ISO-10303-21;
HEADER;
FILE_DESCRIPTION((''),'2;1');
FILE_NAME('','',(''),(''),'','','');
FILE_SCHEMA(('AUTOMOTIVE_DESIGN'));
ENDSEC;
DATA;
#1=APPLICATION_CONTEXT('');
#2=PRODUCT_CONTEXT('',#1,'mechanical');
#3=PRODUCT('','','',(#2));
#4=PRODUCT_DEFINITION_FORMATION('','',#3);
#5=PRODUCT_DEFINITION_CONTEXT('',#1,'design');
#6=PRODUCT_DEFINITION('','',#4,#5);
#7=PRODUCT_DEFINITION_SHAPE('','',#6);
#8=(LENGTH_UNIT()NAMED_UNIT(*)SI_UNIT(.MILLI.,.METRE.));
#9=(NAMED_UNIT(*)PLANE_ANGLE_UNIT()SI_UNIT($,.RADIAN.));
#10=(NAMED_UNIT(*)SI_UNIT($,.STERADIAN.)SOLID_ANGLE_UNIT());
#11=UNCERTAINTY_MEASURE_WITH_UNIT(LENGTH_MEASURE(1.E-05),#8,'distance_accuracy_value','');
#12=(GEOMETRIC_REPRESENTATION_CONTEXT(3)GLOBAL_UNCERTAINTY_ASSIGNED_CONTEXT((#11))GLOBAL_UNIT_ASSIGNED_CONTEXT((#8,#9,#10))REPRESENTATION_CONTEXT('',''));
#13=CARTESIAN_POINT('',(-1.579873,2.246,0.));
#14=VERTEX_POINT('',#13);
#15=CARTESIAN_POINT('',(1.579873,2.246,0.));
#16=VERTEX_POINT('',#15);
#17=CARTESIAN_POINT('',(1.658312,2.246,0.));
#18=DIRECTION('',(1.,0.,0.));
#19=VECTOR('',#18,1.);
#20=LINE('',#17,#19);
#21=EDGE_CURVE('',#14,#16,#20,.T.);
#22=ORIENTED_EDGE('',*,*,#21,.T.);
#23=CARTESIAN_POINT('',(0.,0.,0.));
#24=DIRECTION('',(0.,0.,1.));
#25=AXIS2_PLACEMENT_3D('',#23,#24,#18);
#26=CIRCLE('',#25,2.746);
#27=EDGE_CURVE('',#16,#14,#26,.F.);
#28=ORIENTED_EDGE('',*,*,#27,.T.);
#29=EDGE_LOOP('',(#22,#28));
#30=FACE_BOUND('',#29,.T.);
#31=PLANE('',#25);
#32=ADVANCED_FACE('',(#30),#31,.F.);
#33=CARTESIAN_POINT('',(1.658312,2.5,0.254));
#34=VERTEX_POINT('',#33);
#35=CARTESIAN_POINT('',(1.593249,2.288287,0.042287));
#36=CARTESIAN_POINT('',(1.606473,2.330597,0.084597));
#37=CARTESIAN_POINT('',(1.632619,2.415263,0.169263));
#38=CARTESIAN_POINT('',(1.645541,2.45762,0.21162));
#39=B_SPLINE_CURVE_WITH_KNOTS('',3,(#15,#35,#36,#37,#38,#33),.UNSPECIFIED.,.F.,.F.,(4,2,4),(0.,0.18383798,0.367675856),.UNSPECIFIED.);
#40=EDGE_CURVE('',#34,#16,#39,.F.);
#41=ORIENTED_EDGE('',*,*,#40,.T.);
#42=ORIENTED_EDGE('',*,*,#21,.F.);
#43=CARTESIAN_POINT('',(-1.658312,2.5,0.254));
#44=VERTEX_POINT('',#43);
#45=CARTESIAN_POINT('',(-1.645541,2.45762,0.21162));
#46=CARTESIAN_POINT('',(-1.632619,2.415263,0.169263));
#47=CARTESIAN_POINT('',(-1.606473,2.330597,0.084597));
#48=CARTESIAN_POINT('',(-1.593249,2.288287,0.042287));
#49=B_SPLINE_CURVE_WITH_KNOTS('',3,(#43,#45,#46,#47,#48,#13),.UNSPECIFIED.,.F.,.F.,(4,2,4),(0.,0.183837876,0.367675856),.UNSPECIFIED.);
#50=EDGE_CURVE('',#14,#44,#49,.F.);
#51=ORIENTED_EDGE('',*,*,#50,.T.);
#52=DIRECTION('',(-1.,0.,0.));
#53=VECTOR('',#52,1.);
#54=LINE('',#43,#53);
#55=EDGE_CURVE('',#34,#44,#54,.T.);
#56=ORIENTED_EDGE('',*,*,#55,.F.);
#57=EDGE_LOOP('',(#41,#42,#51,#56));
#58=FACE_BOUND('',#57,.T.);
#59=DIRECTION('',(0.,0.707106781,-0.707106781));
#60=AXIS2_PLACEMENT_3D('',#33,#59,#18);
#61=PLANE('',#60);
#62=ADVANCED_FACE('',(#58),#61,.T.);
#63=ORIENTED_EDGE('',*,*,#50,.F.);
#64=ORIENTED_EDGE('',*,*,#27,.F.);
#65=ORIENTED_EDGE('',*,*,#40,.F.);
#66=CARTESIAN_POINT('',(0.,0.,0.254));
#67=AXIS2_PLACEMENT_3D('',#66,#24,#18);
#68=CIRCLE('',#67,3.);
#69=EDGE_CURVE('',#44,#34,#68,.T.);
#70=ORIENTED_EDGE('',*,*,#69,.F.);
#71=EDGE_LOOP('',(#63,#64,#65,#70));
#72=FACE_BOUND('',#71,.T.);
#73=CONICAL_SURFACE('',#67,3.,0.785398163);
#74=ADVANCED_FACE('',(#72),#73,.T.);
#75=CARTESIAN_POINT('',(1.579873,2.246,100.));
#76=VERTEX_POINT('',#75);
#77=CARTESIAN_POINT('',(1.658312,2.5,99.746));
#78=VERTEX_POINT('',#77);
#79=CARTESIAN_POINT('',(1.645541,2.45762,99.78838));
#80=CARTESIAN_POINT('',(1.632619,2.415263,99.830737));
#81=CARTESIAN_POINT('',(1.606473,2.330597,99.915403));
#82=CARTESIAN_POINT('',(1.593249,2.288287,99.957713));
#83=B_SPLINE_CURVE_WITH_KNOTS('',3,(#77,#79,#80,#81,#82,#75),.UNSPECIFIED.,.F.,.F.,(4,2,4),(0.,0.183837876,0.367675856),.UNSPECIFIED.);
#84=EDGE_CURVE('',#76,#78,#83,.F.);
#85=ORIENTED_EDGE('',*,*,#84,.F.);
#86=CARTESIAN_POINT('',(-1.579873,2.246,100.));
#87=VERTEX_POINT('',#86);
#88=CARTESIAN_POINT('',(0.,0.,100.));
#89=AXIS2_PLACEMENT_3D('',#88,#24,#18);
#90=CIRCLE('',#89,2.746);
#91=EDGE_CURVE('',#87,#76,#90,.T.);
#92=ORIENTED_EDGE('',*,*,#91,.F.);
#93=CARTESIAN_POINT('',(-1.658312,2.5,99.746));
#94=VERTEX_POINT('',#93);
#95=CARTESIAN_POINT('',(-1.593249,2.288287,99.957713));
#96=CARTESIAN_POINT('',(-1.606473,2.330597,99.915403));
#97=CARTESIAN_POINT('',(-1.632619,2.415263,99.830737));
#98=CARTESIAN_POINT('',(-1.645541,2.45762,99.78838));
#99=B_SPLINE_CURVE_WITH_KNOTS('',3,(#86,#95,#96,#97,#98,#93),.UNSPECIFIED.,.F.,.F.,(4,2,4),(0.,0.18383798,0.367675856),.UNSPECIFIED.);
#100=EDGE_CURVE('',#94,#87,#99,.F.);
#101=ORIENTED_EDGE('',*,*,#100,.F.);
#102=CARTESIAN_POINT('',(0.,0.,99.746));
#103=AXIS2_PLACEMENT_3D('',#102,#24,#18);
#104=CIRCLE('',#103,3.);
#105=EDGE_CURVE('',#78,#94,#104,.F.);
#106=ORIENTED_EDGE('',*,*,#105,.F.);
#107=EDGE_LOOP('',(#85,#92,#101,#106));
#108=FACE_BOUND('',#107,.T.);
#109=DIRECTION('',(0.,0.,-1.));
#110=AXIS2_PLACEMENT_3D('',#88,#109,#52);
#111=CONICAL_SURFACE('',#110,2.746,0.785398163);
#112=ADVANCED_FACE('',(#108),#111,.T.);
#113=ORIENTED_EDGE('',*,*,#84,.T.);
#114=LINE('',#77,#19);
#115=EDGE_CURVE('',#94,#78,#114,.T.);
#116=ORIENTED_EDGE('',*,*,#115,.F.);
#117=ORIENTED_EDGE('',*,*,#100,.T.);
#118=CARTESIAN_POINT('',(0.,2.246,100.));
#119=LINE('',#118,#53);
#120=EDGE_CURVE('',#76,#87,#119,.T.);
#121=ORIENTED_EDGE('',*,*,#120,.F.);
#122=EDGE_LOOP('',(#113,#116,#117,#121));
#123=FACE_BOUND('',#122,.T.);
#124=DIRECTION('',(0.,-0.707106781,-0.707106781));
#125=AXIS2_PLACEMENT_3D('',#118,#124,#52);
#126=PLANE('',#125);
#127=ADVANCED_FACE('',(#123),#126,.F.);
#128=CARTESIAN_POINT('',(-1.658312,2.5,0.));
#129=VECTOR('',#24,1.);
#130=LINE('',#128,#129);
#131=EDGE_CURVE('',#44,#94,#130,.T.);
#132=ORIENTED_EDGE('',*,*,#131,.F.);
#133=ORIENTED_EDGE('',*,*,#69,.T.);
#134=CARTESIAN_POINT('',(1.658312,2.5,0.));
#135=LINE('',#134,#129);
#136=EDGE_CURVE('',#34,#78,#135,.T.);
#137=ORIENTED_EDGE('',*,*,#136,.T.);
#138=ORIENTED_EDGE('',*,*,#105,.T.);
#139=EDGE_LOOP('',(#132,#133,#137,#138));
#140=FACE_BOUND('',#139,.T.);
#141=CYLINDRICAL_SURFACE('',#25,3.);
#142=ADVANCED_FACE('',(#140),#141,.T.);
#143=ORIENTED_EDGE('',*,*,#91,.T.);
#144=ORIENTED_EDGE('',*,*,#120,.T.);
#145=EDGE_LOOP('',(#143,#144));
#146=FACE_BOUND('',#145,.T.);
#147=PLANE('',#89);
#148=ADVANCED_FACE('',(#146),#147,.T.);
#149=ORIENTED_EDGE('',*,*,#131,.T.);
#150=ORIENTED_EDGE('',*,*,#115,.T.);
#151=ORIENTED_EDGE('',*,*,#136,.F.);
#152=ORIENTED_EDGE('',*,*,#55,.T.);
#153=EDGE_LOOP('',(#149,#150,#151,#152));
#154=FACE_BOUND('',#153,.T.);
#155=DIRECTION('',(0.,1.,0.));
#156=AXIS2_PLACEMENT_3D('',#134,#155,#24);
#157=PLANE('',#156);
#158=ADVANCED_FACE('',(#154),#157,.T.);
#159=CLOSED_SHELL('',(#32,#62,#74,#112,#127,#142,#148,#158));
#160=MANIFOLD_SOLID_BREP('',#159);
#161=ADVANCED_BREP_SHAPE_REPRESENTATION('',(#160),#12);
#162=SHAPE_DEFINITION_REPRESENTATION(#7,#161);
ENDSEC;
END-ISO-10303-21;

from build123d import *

# Parameters (mm, degrees)
BOSS_EXTRUDE1_DEPTH = 100
CHAMFER1_SIZE       = 0.254


with BuildPart() as part:
    # Sketch1 → Boss-Extrude1 (new body)
    with BuildSketch(Plane.XY.offset(100)):
        with BuildLine():
            Line((1.658312395, 2.5), (-1.658312395, 2.5))
            ThreePointArc((-1.658312395, 2.5), (0, -3), (1.658312395, 2.5))
        make_face()
    extrude(amount=-BOSS_EXTRUDE1_DEPTH)

    # Chamfer1
    chamfer1_edges = [part.edges().sort_by_distance(p)[0] for p in [
        (0, 2.5, 100),
        (0, -3, 100),
        (0, -3, 0),
        (0, 2.5, 0),
    ]]
    chamfer(chamfer1_edges, length=CHAMFER1_SIZE)


solid = part.part
